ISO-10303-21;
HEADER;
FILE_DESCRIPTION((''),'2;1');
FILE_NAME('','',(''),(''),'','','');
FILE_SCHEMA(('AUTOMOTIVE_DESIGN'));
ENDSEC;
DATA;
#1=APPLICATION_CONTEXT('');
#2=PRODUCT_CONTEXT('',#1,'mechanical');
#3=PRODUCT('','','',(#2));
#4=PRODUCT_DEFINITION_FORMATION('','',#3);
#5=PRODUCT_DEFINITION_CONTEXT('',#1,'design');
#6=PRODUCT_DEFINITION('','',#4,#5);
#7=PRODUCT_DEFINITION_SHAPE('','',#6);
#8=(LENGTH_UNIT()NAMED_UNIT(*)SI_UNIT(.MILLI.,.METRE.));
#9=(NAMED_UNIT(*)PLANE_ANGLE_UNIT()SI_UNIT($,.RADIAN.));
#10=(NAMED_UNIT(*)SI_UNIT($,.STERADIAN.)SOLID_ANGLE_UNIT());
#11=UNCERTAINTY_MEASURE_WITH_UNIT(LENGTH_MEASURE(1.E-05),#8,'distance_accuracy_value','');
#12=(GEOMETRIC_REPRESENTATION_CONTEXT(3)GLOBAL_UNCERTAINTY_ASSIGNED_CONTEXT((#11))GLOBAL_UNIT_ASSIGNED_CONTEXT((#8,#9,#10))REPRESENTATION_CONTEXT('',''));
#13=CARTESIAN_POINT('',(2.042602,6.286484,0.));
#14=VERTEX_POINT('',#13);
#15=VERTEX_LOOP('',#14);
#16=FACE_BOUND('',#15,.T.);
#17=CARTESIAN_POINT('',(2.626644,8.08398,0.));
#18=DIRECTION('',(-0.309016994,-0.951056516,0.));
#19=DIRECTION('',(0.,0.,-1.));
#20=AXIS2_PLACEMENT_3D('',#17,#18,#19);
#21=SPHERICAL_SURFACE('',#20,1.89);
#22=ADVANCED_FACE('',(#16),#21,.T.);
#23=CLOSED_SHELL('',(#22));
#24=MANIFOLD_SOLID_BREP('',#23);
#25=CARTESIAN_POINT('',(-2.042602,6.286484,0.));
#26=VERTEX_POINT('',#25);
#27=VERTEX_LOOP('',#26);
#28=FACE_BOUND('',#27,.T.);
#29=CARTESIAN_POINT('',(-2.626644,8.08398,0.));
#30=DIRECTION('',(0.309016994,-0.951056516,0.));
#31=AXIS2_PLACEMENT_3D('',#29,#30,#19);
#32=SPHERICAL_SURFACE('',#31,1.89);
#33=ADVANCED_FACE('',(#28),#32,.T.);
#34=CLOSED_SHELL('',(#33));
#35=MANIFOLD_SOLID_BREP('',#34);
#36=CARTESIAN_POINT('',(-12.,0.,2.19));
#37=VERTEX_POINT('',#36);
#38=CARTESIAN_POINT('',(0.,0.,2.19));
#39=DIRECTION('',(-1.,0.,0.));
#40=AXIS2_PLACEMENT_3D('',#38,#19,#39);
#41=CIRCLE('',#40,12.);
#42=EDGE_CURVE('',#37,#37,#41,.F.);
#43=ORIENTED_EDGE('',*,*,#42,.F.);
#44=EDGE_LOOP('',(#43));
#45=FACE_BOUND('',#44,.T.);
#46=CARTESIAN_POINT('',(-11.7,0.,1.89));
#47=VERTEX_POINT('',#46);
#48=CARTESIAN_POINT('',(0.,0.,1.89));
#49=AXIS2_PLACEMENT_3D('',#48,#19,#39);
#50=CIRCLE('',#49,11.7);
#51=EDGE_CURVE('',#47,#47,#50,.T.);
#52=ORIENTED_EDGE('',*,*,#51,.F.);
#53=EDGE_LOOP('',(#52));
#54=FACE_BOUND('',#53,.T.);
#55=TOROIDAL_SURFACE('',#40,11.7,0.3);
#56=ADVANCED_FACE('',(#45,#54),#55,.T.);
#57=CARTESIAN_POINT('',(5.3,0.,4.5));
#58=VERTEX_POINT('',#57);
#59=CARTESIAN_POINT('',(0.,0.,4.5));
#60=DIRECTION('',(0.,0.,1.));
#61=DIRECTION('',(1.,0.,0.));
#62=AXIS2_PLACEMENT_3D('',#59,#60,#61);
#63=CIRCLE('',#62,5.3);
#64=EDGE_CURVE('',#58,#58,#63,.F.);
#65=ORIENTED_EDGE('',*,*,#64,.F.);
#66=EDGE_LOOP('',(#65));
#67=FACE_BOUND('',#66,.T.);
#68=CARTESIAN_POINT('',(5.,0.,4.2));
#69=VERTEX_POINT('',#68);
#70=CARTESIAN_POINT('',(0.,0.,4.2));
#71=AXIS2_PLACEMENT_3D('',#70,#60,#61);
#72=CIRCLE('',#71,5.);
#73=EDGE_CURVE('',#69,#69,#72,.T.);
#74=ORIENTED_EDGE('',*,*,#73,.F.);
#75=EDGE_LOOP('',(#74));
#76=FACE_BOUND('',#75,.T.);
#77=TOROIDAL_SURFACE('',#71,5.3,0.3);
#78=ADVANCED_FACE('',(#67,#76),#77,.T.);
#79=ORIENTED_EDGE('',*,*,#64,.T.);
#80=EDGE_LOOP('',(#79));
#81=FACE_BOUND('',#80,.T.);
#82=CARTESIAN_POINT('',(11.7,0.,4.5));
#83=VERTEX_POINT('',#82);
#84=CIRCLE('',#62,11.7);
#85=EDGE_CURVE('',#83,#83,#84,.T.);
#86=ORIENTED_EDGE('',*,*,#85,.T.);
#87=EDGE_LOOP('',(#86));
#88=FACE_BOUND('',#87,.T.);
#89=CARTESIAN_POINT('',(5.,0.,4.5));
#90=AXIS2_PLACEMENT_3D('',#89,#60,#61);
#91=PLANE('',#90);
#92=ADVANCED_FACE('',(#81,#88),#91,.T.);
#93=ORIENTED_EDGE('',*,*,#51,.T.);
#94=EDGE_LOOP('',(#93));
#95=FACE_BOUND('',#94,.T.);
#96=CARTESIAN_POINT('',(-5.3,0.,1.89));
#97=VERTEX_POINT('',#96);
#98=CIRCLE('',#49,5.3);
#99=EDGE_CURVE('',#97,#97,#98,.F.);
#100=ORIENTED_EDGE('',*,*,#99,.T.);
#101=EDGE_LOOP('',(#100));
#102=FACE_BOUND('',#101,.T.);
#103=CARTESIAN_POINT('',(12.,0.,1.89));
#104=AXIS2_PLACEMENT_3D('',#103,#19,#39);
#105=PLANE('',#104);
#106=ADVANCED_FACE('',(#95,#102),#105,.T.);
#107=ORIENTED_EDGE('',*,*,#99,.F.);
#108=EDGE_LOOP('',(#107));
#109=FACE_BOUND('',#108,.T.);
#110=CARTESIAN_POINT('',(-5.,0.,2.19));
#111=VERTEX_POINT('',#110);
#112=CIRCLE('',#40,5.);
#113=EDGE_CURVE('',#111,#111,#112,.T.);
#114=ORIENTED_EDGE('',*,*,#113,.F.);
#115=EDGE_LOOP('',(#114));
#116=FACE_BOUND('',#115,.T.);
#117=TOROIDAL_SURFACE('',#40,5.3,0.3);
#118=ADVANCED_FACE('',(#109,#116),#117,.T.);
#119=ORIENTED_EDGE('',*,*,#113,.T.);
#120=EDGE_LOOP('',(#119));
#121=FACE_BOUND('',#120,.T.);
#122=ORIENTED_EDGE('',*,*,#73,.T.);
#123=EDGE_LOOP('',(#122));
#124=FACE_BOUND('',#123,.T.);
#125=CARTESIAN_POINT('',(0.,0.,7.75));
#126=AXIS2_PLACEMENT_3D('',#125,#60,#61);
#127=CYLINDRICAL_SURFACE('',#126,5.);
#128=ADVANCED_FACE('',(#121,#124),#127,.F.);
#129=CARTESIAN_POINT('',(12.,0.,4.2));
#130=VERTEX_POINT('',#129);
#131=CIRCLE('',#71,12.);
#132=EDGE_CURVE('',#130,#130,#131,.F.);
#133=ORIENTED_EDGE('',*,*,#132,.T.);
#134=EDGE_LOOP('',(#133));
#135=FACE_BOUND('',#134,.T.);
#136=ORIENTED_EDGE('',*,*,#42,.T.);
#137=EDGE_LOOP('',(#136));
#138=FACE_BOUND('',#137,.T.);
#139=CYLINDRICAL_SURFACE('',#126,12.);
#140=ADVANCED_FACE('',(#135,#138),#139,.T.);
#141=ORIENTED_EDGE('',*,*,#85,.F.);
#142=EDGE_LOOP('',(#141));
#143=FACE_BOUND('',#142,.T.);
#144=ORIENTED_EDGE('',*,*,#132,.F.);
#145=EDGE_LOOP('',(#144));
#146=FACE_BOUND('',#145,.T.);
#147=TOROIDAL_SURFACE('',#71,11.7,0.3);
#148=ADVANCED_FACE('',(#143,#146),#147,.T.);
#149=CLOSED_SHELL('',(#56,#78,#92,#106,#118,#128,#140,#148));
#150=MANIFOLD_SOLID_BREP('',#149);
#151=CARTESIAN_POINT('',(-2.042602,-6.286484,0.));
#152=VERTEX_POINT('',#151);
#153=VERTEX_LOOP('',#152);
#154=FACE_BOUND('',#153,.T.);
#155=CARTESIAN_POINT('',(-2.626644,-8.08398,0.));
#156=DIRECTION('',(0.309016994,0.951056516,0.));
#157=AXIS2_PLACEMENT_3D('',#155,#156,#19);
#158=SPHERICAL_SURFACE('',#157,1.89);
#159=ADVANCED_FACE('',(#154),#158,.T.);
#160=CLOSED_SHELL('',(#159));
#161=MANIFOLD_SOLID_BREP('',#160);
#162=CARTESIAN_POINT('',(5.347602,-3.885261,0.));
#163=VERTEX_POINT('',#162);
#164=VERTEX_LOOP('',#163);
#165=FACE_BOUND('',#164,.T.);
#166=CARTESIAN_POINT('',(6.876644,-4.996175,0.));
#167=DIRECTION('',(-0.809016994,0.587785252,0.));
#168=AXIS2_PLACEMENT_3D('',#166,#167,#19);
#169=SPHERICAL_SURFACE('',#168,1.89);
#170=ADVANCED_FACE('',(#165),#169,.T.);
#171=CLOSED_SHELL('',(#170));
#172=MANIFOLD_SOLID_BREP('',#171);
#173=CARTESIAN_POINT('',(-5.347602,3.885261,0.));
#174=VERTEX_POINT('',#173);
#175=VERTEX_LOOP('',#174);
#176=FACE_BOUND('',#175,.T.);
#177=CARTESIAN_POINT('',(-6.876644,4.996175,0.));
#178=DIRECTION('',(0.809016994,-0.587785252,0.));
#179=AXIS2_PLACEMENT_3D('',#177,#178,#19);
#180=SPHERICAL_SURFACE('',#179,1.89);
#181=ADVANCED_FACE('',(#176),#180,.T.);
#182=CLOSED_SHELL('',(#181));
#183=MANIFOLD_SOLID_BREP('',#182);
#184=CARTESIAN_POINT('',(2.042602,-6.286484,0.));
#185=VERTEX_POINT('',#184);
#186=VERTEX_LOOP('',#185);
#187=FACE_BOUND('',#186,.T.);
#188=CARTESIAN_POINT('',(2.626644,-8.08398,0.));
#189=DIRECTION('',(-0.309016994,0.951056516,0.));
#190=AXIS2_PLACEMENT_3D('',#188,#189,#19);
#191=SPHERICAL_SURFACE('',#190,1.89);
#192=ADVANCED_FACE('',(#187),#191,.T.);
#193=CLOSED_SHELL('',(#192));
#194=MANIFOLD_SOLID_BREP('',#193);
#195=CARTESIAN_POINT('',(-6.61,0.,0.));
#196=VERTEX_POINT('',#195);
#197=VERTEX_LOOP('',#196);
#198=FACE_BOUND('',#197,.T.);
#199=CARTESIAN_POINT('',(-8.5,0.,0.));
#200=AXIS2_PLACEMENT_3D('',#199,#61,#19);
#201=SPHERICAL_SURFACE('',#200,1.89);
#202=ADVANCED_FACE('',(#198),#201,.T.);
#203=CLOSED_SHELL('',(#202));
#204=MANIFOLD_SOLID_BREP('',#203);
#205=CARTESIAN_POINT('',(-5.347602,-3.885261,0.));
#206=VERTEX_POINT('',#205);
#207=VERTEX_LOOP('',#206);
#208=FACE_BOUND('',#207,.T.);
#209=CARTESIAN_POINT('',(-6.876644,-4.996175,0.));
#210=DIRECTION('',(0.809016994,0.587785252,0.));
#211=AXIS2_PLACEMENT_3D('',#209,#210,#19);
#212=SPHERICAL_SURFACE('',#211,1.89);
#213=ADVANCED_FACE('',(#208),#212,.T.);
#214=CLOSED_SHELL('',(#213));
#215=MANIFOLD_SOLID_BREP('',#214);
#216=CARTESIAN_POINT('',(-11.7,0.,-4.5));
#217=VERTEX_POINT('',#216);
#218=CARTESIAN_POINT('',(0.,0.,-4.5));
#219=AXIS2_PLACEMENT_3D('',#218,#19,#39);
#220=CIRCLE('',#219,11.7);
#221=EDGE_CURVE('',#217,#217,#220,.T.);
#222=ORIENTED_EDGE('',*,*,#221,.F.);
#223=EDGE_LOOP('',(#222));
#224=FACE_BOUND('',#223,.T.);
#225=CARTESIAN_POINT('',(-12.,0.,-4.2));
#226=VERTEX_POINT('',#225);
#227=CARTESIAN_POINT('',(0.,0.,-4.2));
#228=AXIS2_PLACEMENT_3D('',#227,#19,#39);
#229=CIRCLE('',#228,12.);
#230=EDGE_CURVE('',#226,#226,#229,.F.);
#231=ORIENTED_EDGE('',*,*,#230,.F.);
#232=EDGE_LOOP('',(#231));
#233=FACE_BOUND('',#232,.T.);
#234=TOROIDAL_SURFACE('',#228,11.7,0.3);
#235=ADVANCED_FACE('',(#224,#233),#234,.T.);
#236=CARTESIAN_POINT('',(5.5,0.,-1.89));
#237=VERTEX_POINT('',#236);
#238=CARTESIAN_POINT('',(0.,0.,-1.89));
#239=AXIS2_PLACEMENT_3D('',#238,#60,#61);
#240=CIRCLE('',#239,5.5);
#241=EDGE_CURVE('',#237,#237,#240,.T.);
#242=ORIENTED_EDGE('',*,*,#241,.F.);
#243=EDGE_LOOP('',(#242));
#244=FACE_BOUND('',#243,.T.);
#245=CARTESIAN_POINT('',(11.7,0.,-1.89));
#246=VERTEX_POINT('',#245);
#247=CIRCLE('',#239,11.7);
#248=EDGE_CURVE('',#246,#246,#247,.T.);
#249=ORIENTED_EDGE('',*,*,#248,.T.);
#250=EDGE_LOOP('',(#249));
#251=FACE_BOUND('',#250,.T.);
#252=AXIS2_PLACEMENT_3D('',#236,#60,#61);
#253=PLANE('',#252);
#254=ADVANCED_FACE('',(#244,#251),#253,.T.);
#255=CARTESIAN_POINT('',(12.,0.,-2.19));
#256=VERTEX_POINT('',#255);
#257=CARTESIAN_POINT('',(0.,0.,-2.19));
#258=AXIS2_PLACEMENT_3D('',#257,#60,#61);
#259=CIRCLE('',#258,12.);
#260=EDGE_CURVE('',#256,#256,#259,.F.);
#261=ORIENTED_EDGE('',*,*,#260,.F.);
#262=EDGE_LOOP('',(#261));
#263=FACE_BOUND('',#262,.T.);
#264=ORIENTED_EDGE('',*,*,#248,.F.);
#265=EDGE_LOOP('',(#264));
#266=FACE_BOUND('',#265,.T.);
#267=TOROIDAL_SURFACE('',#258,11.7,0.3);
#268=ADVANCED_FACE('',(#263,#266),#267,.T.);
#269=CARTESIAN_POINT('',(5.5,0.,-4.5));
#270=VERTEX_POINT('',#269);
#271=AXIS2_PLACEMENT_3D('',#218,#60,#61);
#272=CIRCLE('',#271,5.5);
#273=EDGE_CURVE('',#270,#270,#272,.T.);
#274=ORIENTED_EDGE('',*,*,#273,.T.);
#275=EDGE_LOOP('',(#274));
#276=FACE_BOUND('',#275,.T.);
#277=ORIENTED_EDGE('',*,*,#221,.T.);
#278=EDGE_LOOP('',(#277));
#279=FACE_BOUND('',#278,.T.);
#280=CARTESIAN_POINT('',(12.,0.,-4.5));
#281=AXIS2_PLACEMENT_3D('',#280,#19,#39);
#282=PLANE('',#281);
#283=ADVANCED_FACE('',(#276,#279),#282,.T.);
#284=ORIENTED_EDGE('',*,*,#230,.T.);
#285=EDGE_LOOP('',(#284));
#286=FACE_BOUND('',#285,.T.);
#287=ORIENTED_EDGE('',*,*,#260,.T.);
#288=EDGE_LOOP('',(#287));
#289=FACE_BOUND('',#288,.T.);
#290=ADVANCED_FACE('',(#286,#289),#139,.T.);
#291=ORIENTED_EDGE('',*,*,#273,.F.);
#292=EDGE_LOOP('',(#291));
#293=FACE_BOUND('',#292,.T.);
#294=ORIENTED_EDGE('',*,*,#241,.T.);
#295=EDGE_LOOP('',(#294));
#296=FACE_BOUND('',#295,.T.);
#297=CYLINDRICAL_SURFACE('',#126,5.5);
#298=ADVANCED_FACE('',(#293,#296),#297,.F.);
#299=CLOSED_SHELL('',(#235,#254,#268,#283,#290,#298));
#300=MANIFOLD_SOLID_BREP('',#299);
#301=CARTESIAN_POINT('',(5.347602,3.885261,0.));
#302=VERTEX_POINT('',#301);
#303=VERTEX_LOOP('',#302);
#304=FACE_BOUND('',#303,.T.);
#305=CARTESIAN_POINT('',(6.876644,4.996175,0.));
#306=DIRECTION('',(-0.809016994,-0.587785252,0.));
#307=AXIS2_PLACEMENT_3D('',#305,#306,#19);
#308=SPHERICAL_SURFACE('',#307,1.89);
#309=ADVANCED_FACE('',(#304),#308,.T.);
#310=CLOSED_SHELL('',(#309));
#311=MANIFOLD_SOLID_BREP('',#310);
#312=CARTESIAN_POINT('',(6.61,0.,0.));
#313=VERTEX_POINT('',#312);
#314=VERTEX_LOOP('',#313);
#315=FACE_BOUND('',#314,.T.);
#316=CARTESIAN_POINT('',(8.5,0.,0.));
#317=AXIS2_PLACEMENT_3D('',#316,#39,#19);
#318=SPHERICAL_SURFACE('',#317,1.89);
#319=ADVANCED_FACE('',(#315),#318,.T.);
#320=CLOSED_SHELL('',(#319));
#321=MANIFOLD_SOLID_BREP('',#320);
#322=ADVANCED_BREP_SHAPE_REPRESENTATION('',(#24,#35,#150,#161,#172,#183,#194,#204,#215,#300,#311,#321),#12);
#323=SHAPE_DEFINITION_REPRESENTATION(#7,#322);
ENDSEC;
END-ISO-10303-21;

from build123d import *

# Parameters (mm, degrees)
SHAFTWASHERS_W     = 7
SHAFTWASHERS_H     = 2.61
HOUSINGWASHERS_W   = 6.5
HOUSINGWASHERS_H   = 2.61
BALLSPATTERN_COUNT = 10
FILLET_F1_R        = 0.3
FILLET_F2_R        = 0.3


with BuildPart() as part:
    # ShaftWasherS → ShaftWasher (revolve)
    with BuildSketch(Plane(origin=(0, 0, 0), x_dir=(1, 0, 0), z_dir=(0, 1, 0))):
        with Locations((8.5, -3.195)):
            Rectangle(SHAFTWASHERS_W, SHAFTWASHERS_H)
    revolve(axis=Axis((0, 0, 7.75), (0, 0, -1)))

    # Fillet F2
    fillet_f2_edges = [part.edges().sort_by_distance(p)[0] for p in [
        (-5, 0, 1.89),
        (-12, 0, 1.89),
        (-12, 0, 4.5),
        (-5, 0, 4.5),
    ]]
    fillet(fillet_f2_edges, radius=FILLET_F2_R)


with BuildPart() as body_2:
    # HousingWasherS → HousingWasher (revolve)
    with BuildSketch(Plane(origin=(0, 0, 0), x_dir=(1, 0, 0), z_dir=(0, 1, 0))):
        with Locations((8.75, 3.195)):
            Rectangle(HOUSINGWASHERS_W, HOUSINGWASHERS_H)
    revolve(axis=Axis((0, 0, 7.75), (0, 0, -1)))

    # Fillet F1
    fillet_f1_edges = [body_2.edges().sort_by_distance(p)[0] for p in [
        (-12, 0, -4.5),
        (-12, 0, -1.89),
    ]]
    fillet(fillet_f1_edges, radius=FILLET_F1_R)


with BuildPart() as body_3:
    # BallS → Ball (revolve)
    with BuildSketch(Plane(origin=(0, 0, 0), x_dir=(1, 0, 0), z_dir=(0, 1, 0))):
        with BuildLine():
            Line((6.61, 0), (10.39, 0))
            ThreePointArc((10.39, 0), (8.5, -1.89), (6.61, 0))
        make_face()
    revolve(axis=Axis((6.61, 0, 0), (1, 0, 0)))


with BuildPart() as ballspattern_1:
    # BallsPattern: pattern copy
    add(body_3.part.rotate(Axis((0, 0, -4.95), (0, 0, 1)), 1 * 360 / BALLSPATTERN_COUNT))


with BuildPart() as ballspattern_2:
    # BallsPattern: pattern copy
    add(body_3.part.rotate(Axis((0, 0, -4.95), (0, 0, 1)), 2 * 360 / BALLSPATTERN_COUNT))


with BuildPart() as ballspattern_3:
    # BallsPattern: pattern copy
    add(body_3.part.rotate(Axis((0, 0, -4.95), (0, 0, 1)), 3 * 360 / BALLSPATTERN_COUNT))


with BuildPart() as ballspattern_4:
    # BallsPattern: pattern copy
    add(body_3.part.rotate(Axis((0, 0, -4.95), (0, 0, 1)), 4 * 360 / BALLSPATTERN_COUNT))


with BuildPart() as ballspattern_5:
    # BallsPattern: pattern copy
    add(body_3.part.rotate(Axis((0, 0, -4.95), (0, 0, 1)), 5 * 360 / BALLSPATTERN_COUNT))


with BuildPart() as ballspattern_6:
    # BallsPattern: pattern copy
    add(body_3.part.rotate(Axis((0, 0, -4.95), (0, 0, 1)), 6 * 360 / BALLSPATTERN_COUNT))


with BuildPart() as ballspattern_7:
    # BallsPattern: pattern copy
    add(body_3.part.rotate(Axis((0, 0, -4.95), (0, 0, 1)), 7 * 360 / BALLSPATTERN_COUNT))


with BuildPart() as ballspattern_8:
    # BallsPattern: pattern copy
    add(body_3.part.rotate(Axis((0, 0, -4.95), (0, 0, 1)), 8 * 360 / BALLSPATTERN_COUNT))


with BuildPart() as ballspattern_9:
    # BallsPattern: pattern copy
    add(body_3.part.rotate(Axis((0, 0, -4.95), (0, 0, 1)), 9 * 360 / BALLSPATTERN_COUNT))


solid = Compound([part.part, body_2.part, body_3.part, ballspattern_1.part, ballspattern_2.part, ballspattern_3.part, ballspattern_4.part, ballspattern_5.part, ballspattern_6.part, ballspattern_7.part, ballspattern_8.part, ballspattern_9.part])
